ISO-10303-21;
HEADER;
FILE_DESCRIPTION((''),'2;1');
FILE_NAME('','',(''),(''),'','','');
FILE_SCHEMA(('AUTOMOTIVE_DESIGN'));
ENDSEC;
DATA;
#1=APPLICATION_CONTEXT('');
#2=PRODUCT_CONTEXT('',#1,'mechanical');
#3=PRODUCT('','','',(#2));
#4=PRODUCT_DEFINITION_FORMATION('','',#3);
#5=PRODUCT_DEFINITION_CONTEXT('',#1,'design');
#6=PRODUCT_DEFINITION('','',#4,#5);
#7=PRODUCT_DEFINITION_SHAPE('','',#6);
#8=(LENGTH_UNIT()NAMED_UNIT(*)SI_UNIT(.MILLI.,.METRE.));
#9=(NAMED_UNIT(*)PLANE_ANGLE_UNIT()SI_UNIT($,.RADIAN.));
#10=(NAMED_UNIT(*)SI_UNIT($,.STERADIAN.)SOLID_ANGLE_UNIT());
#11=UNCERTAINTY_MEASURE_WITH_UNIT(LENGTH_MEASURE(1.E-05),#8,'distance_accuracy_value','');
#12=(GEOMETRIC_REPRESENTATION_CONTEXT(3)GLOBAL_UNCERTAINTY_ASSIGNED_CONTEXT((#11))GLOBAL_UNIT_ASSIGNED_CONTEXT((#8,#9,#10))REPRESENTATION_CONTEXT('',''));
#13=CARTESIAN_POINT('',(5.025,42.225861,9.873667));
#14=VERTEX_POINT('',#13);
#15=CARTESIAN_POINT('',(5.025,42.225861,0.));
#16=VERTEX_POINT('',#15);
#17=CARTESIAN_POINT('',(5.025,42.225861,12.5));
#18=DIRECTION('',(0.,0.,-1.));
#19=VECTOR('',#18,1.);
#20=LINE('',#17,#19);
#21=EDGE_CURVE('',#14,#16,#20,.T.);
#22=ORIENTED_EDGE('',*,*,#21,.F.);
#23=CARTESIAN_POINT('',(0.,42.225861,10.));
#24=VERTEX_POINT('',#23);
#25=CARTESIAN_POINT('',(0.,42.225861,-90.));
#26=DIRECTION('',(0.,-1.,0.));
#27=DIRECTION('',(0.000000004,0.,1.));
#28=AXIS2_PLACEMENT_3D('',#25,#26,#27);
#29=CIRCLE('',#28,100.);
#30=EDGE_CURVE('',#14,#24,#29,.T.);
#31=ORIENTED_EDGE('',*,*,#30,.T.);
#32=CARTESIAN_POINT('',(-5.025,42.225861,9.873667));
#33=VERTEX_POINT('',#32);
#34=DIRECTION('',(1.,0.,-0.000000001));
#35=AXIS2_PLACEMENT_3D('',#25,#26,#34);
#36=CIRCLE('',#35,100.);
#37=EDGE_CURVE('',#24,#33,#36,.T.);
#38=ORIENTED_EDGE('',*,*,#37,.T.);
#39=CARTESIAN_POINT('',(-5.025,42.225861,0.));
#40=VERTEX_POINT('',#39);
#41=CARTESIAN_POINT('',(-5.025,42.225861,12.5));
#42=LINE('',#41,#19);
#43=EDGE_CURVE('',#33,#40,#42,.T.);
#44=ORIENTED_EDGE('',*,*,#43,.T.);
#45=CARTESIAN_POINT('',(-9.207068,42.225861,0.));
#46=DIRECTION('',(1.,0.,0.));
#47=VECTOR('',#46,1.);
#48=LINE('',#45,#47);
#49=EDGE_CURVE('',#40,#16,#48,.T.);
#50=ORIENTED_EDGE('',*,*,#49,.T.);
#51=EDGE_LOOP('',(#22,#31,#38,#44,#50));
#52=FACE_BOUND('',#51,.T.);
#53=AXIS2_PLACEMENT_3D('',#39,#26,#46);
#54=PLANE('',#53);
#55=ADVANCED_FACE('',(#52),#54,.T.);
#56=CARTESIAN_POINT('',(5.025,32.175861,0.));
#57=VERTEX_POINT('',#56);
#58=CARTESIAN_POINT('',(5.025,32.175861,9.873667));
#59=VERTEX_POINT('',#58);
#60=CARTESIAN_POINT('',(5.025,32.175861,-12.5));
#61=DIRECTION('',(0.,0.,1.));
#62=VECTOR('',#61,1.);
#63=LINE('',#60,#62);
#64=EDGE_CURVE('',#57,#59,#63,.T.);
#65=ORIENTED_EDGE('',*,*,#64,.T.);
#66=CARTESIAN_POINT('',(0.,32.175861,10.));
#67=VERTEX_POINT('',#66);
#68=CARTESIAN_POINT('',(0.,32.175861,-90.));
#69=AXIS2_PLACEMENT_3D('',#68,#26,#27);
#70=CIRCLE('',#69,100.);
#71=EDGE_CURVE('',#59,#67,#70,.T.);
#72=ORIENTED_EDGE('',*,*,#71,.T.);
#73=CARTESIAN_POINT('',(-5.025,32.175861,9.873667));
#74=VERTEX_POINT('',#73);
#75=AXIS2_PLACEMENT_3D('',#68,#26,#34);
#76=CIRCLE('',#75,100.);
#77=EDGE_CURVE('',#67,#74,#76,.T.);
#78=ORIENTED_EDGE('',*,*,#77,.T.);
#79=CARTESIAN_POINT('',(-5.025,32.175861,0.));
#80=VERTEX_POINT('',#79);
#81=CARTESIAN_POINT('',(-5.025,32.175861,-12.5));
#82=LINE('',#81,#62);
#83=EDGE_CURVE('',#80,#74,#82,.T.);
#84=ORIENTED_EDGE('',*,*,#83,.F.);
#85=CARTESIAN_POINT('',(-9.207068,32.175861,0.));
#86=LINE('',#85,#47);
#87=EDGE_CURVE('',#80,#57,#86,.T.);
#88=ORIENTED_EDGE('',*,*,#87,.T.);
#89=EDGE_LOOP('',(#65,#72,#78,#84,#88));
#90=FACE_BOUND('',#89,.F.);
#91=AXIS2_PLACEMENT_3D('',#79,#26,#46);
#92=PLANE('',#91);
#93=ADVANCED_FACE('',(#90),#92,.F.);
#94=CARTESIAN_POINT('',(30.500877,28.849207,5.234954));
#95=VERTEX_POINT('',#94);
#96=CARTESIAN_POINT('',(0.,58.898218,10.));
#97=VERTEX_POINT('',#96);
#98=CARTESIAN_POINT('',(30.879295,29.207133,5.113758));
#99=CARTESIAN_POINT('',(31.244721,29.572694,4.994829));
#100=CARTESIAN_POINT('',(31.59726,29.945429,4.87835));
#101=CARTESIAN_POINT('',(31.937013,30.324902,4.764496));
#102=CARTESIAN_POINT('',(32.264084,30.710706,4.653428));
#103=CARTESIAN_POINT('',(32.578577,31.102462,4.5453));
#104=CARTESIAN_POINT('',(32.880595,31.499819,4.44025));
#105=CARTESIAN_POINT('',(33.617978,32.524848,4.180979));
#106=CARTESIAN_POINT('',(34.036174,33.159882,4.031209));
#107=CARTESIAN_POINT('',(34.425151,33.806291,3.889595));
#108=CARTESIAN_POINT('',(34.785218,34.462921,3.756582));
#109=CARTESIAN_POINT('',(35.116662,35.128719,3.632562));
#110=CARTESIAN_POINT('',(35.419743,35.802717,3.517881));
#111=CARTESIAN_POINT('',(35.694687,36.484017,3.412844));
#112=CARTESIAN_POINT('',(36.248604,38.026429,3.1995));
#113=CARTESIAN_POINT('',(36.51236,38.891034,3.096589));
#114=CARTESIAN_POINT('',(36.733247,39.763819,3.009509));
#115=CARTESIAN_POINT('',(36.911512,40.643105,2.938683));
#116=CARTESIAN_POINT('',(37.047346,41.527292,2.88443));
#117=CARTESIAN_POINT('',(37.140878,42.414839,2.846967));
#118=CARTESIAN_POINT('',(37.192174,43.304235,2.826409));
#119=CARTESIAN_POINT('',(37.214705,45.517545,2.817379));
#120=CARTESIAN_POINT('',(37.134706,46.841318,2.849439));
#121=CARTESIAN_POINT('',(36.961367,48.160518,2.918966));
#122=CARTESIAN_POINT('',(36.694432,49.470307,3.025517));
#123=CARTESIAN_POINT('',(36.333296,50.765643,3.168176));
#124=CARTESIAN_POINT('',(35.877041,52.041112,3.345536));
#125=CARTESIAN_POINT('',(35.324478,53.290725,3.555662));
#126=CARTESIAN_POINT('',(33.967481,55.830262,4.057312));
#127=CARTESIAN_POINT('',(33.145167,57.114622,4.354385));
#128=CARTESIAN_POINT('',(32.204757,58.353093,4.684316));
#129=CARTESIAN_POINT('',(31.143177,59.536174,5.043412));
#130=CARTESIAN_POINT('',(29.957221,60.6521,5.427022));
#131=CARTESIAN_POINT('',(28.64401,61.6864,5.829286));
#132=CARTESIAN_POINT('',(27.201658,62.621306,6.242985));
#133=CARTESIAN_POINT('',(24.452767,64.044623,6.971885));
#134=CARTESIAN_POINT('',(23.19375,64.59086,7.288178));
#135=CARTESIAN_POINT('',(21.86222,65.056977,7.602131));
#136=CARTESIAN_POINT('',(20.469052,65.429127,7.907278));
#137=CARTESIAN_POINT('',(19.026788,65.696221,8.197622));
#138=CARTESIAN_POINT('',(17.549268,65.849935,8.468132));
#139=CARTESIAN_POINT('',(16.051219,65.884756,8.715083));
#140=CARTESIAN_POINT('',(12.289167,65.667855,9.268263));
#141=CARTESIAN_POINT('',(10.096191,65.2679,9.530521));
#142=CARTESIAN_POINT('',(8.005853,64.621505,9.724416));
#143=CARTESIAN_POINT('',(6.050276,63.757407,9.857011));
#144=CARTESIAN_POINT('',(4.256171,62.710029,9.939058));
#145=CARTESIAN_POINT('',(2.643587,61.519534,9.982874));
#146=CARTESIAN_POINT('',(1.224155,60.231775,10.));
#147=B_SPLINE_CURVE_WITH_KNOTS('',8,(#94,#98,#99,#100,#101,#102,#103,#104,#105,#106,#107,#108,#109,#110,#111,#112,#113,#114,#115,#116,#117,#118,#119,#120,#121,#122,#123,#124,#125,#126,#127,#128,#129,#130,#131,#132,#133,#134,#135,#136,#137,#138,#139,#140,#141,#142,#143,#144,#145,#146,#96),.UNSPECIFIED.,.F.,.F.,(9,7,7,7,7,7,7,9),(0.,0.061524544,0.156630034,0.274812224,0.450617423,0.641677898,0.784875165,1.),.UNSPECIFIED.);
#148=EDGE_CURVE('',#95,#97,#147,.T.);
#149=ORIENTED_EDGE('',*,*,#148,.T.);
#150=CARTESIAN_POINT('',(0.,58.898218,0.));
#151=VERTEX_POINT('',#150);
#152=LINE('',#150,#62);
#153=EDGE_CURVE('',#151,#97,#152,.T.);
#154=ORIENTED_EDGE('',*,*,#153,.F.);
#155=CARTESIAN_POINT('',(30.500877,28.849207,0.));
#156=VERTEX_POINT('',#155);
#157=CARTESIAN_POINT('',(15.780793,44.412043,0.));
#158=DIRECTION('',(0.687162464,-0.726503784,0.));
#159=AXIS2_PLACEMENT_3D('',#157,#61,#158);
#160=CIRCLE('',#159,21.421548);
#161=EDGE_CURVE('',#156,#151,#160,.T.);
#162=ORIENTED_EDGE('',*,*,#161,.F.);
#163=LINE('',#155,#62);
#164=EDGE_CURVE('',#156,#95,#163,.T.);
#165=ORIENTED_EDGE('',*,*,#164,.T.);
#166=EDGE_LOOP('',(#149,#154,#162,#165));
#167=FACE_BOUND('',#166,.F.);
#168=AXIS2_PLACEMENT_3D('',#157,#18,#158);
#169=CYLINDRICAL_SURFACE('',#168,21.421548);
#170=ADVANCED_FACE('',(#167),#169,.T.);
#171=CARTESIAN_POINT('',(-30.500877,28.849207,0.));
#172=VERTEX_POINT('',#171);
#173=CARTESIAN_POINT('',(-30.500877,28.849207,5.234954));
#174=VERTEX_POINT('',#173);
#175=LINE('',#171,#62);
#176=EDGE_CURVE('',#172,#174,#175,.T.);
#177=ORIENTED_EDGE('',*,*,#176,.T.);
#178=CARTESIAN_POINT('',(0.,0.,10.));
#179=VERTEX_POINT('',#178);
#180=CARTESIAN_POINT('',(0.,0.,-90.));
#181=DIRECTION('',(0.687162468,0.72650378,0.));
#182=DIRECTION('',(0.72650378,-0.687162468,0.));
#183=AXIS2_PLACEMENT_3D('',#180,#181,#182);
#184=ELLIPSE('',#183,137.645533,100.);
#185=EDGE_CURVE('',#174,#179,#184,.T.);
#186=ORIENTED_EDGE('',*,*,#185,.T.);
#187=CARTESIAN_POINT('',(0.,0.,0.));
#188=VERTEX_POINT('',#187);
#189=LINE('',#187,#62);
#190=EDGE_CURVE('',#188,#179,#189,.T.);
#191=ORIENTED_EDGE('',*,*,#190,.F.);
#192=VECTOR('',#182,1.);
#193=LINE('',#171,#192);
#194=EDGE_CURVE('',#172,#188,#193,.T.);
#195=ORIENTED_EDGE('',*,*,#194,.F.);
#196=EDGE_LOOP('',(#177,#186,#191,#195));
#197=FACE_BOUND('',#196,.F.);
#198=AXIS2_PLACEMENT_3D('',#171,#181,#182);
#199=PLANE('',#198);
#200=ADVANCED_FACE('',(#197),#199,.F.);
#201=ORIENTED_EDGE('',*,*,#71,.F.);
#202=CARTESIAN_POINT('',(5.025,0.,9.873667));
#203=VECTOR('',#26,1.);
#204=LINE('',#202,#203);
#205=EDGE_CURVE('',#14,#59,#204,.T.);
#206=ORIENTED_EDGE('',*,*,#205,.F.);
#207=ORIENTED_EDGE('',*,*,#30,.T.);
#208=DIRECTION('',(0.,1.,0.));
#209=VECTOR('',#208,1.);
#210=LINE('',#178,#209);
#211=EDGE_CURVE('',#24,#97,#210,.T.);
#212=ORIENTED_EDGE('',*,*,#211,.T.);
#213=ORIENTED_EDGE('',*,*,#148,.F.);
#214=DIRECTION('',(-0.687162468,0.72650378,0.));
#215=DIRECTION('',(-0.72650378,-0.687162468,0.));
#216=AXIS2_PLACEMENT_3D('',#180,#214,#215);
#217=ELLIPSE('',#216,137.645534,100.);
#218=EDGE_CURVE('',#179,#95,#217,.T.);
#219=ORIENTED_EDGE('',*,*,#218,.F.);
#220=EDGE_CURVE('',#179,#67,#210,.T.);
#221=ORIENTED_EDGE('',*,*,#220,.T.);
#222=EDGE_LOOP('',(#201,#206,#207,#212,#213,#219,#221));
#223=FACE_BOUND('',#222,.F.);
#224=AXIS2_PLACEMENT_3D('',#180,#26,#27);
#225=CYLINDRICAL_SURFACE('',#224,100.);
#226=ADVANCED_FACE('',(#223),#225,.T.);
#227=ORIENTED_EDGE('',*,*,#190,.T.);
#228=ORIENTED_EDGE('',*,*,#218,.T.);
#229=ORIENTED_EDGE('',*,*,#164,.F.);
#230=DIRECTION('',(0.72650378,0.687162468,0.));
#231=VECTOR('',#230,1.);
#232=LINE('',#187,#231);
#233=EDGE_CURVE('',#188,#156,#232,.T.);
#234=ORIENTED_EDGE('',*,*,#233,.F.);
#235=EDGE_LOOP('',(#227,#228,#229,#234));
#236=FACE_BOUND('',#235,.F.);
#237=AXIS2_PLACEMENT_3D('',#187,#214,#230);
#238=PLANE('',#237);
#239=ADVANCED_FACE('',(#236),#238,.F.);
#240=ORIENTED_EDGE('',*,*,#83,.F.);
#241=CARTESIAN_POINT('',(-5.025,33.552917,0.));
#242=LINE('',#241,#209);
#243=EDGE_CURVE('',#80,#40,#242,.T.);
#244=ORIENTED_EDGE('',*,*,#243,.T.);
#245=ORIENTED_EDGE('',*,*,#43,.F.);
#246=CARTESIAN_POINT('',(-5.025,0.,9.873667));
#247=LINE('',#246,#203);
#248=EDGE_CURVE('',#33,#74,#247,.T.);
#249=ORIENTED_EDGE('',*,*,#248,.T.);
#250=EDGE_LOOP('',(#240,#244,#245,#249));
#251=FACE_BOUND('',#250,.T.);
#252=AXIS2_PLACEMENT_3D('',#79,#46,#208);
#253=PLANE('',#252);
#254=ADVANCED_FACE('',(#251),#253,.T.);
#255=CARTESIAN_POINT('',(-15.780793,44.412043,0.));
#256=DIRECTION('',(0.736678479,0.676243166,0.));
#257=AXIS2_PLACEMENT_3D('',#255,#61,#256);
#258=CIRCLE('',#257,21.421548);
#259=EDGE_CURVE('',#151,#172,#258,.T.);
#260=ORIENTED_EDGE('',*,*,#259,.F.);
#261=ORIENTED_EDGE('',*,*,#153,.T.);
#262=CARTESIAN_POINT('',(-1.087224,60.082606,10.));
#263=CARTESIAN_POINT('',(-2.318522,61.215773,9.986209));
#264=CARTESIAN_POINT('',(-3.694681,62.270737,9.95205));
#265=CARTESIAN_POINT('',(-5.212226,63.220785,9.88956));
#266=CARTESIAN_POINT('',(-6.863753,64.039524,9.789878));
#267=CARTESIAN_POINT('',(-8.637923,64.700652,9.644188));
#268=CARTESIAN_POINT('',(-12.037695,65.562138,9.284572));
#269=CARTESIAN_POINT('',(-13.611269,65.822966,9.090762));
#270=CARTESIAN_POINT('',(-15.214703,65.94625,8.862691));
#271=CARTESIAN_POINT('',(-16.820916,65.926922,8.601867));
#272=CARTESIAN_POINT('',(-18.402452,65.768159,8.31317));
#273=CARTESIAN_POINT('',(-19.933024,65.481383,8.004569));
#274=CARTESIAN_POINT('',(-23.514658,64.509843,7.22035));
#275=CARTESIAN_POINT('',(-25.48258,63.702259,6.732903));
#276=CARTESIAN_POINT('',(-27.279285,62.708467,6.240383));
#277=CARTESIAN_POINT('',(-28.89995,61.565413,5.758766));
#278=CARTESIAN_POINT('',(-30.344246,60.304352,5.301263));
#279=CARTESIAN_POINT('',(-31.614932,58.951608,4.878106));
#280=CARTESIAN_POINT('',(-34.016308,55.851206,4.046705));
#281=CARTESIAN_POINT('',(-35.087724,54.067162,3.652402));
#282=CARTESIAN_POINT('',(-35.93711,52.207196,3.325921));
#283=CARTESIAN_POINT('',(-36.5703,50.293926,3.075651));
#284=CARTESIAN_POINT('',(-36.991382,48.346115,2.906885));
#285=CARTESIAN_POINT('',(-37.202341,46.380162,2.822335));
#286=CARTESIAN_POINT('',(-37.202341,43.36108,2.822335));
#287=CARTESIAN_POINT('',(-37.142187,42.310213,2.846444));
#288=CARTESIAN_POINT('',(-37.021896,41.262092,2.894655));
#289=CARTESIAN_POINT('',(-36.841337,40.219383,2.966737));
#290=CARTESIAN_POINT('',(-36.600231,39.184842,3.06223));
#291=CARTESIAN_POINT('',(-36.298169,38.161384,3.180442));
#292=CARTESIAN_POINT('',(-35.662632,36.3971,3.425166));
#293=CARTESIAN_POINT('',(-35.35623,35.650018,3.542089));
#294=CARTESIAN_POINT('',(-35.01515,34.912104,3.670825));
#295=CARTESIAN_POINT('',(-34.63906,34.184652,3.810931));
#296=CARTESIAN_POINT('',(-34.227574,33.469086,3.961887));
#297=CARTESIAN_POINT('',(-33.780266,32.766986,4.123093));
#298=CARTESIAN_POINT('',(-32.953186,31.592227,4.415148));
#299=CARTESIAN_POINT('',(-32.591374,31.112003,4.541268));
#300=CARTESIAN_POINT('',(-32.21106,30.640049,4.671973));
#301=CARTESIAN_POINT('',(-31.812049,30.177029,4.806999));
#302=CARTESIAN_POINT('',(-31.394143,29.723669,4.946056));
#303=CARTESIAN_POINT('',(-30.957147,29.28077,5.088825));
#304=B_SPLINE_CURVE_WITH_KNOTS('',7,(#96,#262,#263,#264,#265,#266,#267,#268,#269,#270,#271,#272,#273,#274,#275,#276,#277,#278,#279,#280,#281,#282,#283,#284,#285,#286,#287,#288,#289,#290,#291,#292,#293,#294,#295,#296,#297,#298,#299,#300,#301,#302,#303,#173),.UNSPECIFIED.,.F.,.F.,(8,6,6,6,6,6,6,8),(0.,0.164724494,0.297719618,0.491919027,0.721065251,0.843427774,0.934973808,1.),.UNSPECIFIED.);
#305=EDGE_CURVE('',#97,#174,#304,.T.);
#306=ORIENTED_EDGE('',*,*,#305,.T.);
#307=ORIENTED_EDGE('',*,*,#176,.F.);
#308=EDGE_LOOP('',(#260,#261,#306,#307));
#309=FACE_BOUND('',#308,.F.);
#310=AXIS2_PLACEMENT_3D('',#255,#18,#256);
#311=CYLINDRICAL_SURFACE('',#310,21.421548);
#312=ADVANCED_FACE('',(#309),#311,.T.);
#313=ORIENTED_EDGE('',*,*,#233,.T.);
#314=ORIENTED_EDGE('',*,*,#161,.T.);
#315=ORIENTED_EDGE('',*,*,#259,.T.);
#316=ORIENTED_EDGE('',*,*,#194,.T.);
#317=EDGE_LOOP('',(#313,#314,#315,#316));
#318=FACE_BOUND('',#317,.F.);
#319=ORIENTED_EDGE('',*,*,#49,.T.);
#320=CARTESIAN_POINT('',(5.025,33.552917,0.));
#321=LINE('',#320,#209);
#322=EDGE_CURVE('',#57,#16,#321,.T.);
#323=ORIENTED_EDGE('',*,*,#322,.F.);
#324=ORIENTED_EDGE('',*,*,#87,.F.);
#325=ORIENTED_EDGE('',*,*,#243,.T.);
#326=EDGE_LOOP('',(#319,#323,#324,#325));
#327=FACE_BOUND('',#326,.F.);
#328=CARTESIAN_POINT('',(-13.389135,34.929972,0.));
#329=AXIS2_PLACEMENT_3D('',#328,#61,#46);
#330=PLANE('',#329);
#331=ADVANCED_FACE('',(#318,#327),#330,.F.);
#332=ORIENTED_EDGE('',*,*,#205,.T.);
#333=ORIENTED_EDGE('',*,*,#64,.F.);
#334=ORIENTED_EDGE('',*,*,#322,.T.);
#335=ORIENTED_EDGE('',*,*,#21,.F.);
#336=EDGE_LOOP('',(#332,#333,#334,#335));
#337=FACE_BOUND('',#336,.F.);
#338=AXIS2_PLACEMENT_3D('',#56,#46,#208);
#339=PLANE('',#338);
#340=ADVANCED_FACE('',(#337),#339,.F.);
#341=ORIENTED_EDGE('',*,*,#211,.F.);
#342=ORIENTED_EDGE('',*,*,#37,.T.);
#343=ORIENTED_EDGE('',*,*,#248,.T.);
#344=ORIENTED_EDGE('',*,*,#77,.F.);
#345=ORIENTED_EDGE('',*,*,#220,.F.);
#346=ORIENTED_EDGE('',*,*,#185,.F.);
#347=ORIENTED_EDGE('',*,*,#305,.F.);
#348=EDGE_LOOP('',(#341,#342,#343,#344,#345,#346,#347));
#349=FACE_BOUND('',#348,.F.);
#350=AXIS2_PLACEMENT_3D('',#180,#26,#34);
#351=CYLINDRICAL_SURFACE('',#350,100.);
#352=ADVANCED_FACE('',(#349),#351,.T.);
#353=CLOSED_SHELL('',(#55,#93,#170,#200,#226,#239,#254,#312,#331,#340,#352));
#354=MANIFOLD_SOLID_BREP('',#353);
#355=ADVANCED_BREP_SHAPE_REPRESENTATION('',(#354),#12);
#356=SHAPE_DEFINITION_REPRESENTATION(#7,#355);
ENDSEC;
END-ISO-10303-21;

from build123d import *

# Parameters (mm, degrees)
F1_DEPTH = 10
F2_R     = 135.50038
F3_DEPTH = 134
F4_W     = 10.05
F4_H     = 10.05
F5_DEPTH = 12.5


with BuildPart() as f1:
    # F0 (on Top) → F1 (new body)
    with BuildSketch(Plane.XY):
        with BuildLine():
            Line((-30.500877, 28.849207), (0, 0))
            Line((0, 0), (0, 58.898218))
            ThreePointArc((0, 58.898218), (-30.814656, 59.67198), (-30.500877, 28.849207))
        make_face()
        with BuildLine():
            Line((0, 58.898218), (0, 0))
            Line((0, 0), (30.500877, 28.849207))
            ThreePointArc((30.500877, 28.849207), (30.814656, 59.67198), (0, 58.898218))
        make_face()
    extrude(amount=F1_DEPTH)

    # F2 (on Front) → F3 (cut)
    with BuildSketch(Plane.XZ):
        with Locations((0, -90)):
            Circle(F2_R)
        with BuildLine():
            ThreePointArc((0, 10), (70.710678, -19.289322), (100, -90))
            ThreePointArc((100, -90), (-70.710678, -160.710678), (0, 10))
        make_face(mode=Mode.SUBTRACT)
    extrude(amount=-F3_DEPTH, mode=Mode.SUBTRACT)

    # F4 (on Top) → F5 (cut, symmetric)
    with BuildSketch(Plane.XY):
        with Locations((0, 37.200861)):
            Rectangle(F4_W, F4_H)
    extrude(amount=F5_DEPTH, both=True, mode=Mode.SUBTRACT)


solid = f1.part
